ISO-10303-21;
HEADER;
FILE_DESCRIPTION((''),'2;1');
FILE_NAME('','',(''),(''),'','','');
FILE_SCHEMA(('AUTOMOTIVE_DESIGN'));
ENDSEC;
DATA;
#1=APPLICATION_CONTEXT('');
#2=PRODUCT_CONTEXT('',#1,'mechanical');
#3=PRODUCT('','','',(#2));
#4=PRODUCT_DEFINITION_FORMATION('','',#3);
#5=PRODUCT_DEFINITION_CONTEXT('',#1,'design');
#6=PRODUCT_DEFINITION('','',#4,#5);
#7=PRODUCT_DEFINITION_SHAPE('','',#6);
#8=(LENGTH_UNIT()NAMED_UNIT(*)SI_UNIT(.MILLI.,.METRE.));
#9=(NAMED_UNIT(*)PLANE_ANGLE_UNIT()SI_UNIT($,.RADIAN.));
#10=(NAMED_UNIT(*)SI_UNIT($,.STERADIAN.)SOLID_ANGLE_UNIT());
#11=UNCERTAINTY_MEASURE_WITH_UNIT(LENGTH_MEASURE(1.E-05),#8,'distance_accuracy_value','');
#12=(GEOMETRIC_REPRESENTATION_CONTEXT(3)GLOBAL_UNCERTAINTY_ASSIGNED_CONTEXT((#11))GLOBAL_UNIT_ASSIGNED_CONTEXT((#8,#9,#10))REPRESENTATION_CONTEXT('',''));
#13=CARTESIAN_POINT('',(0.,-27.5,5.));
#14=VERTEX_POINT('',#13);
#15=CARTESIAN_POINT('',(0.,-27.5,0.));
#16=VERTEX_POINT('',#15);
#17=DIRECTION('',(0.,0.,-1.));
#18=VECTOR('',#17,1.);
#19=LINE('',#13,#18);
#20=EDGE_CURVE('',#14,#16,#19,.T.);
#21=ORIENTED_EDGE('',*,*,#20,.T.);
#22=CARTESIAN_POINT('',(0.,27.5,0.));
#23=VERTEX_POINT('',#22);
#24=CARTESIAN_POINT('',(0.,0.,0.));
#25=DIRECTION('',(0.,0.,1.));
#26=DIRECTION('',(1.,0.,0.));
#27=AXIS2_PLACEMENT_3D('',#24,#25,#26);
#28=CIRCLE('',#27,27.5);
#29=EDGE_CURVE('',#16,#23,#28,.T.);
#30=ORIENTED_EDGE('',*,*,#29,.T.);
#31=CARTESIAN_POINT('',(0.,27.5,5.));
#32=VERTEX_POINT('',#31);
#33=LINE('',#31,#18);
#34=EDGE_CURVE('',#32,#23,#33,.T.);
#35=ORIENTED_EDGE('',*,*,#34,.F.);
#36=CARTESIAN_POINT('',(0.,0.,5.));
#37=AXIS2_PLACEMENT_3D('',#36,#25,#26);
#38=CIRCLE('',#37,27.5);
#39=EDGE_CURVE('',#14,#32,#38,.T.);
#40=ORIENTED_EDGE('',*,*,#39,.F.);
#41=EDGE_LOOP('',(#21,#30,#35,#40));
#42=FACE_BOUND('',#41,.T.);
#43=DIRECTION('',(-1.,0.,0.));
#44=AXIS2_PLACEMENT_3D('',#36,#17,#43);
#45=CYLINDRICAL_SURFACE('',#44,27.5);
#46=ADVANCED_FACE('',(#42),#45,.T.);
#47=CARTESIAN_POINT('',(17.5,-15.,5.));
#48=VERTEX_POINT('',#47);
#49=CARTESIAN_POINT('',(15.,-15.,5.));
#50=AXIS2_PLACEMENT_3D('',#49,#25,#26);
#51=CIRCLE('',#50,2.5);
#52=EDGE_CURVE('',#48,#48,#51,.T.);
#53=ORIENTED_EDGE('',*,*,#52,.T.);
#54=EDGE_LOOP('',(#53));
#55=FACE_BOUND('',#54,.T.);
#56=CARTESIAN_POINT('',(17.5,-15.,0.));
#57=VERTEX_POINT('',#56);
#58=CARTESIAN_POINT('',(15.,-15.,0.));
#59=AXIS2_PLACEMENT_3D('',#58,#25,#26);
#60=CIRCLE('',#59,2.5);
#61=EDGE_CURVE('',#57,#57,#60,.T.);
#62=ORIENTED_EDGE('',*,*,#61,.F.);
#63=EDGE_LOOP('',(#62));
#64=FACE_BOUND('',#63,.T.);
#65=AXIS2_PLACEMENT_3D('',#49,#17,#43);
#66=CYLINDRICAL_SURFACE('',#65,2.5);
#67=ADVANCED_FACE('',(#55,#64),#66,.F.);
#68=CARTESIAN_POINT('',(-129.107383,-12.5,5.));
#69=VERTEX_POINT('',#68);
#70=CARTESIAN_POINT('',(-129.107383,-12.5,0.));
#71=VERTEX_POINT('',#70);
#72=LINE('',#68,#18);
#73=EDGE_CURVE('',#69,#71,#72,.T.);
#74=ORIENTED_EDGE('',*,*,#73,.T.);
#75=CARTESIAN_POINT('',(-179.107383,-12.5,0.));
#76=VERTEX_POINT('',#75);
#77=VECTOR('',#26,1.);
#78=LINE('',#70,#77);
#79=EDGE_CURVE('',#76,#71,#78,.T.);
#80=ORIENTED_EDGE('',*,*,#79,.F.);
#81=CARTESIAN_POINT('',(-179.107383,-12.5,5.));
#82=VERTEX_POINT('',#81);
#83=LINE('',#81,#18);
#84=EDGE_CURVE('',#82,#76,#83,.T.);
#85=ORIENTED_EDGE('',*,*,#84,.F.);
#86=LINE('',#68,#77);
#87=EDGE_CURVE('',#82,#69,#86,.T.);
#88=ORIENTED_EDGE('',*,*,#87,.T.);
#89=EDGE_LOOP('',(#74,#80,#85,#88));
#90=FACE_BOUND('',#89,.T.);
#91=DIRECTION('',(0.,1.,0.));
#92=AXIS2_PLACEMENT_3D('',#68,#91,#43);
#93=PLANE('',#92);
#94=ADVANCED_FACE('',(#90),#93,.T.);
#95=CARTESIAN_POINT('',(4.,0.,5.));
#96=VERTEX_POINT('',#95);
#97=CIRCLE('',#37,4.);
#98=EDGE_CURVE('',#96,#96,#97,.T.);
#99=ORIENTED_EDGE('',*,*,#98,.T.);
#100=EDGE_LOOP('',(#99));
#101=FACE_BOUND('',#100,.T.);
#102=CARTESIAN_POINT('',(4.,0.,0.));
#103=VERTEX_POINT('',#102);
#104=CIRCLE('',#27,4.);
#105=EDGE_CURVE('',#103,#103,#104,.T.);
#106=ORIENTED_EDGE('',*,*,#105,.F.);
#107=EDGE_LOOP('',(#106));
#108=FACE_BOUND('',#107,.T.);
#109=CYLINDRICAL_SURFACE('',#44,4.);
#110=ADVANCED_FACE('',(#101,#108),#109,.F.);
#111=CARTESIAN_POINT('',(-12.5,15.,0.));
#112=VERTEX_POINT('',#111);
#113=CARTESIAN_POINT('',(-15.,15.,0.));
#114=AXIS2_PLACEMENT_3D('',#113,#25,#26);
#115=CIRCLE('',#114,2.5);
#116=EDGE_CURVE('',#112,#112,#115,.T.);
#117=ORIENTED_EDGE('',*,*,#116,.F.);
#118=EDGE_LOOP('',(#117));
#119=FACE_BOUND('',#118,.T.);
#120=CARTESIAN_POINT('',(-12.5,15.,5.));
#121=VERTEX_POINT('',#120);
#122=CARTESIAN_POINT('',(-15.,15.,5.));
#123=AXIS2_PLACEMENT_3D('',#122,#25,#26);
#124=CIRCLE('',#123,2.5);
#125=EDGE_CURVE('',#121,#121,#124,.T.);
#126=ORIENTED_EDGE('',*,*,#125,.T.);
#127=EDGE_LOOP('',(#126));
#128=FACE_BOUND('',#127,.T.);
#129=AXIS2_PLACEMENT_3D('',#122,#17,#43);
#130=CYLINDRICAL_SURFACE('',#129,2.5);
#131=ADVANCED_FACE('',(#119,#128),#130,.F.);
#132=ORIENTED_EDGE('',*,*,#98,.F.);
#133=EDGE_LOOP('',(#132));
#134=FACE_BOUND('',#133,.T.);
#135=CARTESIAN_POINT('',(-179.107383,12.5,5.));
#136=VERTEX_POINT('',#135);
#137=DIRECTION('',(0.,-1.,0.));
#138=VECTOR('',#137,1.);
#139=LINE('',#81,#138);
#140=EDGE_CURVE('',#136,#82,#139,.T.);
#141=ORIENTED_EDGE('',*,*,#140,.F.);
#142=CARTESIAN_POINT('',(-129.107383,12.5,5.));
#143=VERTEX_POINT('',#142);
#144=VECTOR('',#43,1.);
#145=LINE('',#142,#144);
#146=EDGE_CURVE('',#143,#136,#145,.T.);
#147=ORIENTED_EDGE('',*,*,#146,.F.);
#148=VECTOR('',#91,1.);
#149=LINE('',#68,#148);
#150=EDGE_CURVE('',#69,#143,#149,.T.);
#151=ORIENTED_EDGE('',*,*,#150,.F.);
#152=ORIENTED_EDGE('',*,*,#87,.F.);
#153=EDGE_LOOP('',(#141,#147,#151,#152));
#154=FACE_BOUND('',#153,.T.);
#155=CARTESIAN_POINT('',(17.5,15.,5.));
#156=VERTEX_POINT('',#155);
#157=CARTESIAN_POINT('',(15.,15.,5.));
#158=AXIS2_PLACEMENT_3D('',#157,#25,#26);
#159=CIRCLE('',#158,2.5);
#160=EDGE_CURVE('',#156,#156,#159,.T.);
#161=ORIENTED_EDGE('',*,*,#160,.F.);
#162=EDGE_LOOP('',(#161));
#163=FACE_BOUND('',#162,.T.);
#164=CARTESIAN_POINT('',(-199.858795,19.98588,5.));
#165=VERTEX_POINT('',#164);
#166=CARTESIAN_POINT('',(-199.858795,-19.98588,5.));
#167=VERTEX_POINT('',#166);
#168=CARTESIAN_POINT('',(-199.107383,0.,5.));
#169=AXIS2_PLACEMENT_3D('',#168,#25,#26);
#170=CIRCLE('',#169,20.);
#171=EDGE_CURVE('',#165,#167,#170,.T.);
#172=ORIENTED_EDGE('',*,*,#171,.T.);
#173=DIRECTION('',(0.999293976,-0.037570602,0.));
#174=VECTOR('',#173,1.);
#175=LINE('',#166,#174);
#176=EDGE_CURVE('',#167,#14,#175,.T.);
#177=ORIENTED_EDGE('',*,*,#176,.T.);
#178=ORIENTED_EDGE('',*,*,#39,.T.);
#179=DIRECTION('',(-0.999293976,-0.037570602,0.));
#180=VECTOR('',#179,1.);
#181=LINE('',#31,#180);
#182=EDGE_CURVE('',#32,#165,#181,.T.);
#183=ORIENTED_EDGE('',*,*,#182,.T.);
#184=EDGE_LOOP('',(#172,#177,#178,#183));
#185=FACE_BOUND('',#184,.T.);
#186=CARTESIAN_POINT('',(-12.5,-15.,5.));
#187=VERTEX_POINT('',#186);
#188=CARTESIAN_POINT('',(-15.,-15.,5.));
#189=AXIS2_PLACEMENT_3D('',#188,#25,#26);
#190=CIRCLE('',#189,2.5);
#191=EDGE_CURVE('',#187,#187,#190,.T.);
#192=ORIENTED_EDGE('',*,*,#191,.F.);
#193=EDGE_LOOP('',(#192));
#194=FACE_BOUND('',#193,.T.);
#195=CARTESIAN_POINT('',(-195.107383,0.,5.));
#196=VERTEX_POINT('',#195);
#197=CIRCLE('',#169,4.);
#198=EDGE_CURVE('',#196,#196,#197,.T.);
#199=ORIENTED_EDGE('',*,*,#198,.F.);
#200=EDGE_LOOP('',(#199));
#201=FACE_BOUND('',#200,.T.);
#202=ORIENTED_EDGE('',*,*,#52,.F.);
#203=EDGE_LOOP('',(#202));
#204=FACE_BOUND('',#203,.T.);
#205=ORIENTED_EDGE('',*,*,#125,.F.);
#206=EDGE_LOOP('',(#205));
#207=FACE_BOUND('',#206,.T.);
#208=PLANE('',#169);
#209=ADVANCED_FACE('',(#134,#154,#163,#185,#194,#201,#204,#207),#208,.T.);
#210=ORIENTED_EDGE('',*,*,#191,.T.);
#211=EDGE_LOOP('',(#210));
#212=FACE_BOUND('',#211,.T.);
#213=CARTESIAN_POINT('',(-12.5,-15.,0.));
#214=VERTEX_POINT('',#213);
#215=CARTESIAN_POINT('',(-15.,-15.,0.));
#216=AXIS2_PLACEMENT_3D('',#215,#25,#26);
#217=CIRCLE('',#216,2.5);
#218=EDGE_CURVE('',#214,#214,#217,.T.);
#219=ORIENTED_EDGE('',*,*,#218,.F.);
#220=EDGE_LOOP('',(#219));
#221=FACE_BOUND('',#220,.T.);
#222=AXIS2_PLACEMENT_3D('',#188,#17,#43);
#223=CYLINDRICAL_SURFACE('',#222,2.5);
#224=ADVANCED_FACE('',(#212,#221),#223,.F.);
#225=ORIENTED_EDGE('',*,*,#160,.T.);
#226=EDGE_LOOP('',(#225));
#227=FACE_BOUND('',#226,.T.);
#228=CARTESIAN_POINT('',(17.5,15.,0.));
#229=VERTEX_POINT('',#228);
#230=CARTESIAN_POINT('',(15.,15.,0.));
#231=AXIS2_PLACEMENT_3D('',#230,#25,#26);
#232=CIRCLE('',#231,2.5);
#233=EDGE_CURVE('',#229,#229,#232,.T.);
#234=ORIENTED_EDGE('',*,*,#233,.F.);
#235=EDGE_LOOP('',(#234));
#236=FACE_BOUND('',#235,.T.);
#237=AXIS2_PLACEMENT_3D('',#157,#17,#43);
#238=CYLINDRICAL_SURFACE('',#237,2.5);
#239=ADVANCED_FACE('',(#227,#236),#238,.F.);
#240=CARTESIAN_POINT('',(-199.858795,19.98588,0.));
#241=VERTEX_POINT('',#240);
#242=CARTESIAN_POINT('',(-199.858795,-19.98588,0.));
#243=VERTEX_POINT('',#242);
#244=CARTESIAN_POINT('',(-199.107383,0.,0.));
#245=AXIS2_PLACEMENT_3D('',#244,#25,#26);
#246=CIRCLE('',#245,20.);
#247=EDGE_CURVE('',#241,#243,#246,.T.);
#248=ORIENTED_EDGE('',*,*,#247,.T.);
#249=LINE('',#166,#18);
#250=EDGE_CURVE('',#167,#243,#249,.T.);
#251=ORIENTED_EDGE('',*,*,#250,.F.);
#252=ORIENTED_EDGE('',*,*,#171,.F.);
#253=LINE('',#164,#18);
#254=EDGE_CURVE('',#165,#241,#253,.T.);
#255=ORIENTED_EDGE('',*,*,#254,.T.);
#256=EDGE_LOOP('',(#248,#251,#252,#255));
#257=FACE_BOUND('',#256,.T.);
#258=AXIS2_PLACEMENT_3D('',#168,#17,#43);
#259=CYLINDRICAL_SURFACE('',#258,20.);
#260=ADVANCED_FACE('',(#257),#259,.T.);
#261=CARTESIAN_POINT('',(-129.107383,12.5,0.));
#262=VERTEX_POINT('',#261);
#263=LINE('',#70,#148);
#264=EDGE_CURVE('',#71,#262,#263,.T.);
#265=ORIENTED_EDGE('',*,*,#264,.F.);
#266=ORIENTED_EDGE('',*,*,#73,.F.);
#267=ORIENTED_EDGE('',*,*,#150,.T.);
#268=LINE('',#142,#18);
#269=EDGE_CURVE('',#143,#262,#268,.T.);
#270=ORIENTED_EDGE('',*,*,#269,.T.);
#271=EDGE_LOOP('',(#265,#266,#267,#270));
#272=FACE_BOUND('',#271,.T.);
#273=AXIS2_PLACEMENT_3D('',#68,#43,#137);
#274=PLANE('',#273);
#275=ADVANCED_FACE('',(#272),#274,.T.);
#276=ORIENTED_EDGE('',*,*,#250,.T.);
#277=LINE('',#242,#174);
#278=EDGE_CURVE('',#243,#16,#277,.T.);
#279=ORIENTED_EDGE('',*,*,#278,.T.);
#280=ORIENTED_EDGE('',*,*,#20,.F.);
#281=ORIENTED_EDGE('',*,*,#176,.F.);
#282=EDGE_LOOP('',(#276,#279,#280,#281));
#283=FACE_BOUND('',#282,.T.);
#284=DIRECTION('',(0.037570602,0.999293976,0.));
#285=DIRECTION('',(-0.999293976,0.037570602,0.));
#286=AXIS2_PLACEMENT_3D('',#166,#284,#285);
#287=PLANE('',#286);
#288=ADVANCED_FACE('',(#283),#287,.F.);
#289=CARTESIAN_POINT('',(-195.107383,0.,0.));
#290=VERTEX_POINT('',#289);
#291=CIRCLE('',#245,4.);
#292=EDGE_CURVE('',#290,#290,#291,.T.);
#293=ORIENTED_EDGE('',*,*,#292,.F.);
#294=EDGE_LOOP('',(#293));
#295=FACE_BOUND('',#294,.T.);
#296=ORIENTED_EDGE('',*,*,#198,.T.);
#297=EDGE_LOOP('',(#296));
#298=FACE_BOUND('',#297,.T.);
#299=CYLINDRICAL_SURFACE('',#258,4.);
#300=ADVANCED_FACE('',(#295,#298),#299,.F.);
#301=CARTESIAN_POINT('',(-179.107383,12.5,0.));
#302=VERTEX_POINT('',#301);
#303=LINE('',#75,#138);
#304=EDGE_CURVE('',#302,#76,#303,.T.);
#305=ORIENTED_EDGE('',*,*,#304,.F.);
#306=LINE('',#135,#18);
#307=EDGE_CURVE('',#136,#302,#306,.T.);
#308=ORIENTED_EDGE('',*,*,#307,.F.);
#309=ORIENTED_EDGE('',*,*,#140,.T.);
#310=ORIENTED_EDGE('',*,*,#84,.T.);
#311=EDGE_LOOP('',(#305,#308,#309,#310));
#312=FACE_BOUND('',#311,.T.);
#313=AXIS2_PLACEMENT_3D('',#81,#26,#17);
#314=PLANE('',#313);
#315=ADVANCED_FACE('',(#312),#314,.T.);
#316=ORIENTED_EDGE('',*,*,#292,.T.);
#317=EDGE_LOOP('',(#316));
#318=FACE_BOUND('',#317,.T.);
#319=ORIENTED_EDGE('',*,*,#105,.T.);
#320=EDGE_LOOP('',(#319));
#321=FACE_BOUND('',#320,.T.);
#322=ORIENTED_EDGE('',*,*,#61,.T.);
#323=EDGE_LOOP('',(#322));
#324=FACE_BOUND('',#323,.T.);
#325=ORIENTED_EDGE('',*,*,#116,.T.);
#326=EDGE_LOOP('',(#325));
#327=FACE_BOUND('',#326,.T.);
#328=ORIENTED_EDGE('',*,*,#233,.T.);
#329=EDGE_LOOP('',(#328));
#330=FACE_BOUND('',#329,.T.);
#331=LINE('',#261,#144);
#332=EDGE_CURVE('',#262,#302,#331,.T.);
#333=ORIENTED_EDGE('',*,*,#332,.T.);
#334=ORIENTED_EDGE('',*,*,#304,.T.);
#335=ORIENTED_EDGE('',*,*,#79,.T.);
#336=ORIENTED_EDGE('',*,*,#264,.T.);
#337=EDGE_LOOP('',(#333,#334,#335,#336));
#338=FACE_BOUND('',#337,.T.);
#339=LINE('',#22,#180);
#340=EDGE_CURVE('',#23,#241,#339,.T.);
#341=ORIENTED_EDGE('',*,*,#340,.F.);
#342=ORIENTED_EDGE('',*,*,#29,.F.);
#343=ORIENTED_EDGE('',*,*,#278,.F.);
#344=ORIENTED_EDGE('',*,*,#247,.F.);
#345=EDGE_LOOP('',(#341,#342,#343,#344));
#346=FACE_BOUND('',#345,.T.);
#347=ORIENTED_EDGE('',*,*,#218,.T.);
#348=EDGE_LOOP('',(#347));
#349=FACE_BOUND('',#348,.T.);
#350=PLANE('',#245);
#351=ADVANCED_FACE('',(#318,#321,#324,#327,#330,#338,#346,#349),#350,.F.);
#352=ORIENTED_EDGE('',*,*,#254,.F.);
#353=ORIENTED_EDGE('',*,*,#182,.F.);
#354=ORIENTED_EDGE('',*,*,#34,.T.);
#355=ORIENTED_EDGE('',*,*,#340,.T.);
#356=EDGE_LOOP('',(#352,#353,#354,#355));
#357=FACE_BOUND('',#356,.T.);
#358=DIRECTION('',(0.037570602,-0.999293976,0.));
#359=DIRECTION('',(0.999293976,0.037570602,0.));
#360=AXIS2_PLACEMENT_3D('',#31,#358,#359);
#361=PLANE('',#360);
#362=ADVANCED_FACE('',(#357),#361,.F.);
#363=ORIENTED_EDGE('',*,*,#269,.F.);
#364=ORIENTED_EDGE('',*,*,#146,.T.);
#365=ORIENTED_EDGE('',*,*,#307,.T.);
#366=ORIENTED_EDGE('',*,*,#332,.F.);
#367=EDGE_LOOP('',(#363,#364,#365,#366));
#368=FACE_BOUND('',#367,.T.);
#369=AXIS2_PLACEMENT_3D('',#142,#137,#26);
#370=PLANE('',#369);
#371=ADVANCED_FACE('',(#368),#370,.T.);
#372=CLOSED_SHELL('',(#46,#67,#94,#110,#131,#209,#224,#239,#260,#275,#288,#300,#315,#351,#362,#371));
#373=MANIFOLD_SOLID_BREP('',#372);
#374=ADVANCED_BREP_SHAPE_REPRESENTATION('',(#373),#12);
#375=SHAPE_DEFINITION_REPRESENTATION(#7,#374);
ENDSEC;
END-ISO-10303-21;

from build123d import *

# Parameters (mm, degrees)
SKETCH1_R           = 2.5
SKETCH1_R_2         = 4
SKETCH1_W           = 50
SKETCH1_H           = 25
BOSS_EXTRUDE1_DEPTH = 5


with BuildPart() as part:
    # Sketch1 → Boss-Extrude1 (new body)
    with BuildSketch(Plane.XY):
        with BuildLine():
            Line((0, 27.5), (-199.858795136, 19.985879514))
            ThreePointArc((-199.858795136, 19.985879514), (-219.107383088, 0), (-199.858795136, -19.985879514))
            Line((-199.858795136, -19.985879514), (0, -27.5))
            ThreePointArc((0, -27.5), (27.5, 0), (0, 27.5))
        make_face()
        with Locations((-15, -15)):
            Circle(SKETCH1_R, mode=Mode.SUBTRACT)
        with Locations((15, 15)):
            Circle(SKETCH1_R, mode=Mode.SUBTRACT)
        with Locations((15, -15)):
            Circle(SKETCH1_R, mode=Mode.SUBTRACT)
        with Locations((-15, 15)):
            Circle(SKETCH1_R, mode=Mode.SUBTRACT)
        Circle(SKETCH1_R_2, mode=Mode.SUBTRACT)
        with Locations((-199.107383088, 0)):
            Circle(SKETCH1_R_2, mode=Mode.SUBTRACT)
        with Locations((-154.107383088, 0)):
            Rectangle(SKETCH1_W, SKETCH1_H, mode=Mode.SUBTRACT)
    extrude(amount=BOSS_EXTRUDE1_DEPTH)


solid = part.part
